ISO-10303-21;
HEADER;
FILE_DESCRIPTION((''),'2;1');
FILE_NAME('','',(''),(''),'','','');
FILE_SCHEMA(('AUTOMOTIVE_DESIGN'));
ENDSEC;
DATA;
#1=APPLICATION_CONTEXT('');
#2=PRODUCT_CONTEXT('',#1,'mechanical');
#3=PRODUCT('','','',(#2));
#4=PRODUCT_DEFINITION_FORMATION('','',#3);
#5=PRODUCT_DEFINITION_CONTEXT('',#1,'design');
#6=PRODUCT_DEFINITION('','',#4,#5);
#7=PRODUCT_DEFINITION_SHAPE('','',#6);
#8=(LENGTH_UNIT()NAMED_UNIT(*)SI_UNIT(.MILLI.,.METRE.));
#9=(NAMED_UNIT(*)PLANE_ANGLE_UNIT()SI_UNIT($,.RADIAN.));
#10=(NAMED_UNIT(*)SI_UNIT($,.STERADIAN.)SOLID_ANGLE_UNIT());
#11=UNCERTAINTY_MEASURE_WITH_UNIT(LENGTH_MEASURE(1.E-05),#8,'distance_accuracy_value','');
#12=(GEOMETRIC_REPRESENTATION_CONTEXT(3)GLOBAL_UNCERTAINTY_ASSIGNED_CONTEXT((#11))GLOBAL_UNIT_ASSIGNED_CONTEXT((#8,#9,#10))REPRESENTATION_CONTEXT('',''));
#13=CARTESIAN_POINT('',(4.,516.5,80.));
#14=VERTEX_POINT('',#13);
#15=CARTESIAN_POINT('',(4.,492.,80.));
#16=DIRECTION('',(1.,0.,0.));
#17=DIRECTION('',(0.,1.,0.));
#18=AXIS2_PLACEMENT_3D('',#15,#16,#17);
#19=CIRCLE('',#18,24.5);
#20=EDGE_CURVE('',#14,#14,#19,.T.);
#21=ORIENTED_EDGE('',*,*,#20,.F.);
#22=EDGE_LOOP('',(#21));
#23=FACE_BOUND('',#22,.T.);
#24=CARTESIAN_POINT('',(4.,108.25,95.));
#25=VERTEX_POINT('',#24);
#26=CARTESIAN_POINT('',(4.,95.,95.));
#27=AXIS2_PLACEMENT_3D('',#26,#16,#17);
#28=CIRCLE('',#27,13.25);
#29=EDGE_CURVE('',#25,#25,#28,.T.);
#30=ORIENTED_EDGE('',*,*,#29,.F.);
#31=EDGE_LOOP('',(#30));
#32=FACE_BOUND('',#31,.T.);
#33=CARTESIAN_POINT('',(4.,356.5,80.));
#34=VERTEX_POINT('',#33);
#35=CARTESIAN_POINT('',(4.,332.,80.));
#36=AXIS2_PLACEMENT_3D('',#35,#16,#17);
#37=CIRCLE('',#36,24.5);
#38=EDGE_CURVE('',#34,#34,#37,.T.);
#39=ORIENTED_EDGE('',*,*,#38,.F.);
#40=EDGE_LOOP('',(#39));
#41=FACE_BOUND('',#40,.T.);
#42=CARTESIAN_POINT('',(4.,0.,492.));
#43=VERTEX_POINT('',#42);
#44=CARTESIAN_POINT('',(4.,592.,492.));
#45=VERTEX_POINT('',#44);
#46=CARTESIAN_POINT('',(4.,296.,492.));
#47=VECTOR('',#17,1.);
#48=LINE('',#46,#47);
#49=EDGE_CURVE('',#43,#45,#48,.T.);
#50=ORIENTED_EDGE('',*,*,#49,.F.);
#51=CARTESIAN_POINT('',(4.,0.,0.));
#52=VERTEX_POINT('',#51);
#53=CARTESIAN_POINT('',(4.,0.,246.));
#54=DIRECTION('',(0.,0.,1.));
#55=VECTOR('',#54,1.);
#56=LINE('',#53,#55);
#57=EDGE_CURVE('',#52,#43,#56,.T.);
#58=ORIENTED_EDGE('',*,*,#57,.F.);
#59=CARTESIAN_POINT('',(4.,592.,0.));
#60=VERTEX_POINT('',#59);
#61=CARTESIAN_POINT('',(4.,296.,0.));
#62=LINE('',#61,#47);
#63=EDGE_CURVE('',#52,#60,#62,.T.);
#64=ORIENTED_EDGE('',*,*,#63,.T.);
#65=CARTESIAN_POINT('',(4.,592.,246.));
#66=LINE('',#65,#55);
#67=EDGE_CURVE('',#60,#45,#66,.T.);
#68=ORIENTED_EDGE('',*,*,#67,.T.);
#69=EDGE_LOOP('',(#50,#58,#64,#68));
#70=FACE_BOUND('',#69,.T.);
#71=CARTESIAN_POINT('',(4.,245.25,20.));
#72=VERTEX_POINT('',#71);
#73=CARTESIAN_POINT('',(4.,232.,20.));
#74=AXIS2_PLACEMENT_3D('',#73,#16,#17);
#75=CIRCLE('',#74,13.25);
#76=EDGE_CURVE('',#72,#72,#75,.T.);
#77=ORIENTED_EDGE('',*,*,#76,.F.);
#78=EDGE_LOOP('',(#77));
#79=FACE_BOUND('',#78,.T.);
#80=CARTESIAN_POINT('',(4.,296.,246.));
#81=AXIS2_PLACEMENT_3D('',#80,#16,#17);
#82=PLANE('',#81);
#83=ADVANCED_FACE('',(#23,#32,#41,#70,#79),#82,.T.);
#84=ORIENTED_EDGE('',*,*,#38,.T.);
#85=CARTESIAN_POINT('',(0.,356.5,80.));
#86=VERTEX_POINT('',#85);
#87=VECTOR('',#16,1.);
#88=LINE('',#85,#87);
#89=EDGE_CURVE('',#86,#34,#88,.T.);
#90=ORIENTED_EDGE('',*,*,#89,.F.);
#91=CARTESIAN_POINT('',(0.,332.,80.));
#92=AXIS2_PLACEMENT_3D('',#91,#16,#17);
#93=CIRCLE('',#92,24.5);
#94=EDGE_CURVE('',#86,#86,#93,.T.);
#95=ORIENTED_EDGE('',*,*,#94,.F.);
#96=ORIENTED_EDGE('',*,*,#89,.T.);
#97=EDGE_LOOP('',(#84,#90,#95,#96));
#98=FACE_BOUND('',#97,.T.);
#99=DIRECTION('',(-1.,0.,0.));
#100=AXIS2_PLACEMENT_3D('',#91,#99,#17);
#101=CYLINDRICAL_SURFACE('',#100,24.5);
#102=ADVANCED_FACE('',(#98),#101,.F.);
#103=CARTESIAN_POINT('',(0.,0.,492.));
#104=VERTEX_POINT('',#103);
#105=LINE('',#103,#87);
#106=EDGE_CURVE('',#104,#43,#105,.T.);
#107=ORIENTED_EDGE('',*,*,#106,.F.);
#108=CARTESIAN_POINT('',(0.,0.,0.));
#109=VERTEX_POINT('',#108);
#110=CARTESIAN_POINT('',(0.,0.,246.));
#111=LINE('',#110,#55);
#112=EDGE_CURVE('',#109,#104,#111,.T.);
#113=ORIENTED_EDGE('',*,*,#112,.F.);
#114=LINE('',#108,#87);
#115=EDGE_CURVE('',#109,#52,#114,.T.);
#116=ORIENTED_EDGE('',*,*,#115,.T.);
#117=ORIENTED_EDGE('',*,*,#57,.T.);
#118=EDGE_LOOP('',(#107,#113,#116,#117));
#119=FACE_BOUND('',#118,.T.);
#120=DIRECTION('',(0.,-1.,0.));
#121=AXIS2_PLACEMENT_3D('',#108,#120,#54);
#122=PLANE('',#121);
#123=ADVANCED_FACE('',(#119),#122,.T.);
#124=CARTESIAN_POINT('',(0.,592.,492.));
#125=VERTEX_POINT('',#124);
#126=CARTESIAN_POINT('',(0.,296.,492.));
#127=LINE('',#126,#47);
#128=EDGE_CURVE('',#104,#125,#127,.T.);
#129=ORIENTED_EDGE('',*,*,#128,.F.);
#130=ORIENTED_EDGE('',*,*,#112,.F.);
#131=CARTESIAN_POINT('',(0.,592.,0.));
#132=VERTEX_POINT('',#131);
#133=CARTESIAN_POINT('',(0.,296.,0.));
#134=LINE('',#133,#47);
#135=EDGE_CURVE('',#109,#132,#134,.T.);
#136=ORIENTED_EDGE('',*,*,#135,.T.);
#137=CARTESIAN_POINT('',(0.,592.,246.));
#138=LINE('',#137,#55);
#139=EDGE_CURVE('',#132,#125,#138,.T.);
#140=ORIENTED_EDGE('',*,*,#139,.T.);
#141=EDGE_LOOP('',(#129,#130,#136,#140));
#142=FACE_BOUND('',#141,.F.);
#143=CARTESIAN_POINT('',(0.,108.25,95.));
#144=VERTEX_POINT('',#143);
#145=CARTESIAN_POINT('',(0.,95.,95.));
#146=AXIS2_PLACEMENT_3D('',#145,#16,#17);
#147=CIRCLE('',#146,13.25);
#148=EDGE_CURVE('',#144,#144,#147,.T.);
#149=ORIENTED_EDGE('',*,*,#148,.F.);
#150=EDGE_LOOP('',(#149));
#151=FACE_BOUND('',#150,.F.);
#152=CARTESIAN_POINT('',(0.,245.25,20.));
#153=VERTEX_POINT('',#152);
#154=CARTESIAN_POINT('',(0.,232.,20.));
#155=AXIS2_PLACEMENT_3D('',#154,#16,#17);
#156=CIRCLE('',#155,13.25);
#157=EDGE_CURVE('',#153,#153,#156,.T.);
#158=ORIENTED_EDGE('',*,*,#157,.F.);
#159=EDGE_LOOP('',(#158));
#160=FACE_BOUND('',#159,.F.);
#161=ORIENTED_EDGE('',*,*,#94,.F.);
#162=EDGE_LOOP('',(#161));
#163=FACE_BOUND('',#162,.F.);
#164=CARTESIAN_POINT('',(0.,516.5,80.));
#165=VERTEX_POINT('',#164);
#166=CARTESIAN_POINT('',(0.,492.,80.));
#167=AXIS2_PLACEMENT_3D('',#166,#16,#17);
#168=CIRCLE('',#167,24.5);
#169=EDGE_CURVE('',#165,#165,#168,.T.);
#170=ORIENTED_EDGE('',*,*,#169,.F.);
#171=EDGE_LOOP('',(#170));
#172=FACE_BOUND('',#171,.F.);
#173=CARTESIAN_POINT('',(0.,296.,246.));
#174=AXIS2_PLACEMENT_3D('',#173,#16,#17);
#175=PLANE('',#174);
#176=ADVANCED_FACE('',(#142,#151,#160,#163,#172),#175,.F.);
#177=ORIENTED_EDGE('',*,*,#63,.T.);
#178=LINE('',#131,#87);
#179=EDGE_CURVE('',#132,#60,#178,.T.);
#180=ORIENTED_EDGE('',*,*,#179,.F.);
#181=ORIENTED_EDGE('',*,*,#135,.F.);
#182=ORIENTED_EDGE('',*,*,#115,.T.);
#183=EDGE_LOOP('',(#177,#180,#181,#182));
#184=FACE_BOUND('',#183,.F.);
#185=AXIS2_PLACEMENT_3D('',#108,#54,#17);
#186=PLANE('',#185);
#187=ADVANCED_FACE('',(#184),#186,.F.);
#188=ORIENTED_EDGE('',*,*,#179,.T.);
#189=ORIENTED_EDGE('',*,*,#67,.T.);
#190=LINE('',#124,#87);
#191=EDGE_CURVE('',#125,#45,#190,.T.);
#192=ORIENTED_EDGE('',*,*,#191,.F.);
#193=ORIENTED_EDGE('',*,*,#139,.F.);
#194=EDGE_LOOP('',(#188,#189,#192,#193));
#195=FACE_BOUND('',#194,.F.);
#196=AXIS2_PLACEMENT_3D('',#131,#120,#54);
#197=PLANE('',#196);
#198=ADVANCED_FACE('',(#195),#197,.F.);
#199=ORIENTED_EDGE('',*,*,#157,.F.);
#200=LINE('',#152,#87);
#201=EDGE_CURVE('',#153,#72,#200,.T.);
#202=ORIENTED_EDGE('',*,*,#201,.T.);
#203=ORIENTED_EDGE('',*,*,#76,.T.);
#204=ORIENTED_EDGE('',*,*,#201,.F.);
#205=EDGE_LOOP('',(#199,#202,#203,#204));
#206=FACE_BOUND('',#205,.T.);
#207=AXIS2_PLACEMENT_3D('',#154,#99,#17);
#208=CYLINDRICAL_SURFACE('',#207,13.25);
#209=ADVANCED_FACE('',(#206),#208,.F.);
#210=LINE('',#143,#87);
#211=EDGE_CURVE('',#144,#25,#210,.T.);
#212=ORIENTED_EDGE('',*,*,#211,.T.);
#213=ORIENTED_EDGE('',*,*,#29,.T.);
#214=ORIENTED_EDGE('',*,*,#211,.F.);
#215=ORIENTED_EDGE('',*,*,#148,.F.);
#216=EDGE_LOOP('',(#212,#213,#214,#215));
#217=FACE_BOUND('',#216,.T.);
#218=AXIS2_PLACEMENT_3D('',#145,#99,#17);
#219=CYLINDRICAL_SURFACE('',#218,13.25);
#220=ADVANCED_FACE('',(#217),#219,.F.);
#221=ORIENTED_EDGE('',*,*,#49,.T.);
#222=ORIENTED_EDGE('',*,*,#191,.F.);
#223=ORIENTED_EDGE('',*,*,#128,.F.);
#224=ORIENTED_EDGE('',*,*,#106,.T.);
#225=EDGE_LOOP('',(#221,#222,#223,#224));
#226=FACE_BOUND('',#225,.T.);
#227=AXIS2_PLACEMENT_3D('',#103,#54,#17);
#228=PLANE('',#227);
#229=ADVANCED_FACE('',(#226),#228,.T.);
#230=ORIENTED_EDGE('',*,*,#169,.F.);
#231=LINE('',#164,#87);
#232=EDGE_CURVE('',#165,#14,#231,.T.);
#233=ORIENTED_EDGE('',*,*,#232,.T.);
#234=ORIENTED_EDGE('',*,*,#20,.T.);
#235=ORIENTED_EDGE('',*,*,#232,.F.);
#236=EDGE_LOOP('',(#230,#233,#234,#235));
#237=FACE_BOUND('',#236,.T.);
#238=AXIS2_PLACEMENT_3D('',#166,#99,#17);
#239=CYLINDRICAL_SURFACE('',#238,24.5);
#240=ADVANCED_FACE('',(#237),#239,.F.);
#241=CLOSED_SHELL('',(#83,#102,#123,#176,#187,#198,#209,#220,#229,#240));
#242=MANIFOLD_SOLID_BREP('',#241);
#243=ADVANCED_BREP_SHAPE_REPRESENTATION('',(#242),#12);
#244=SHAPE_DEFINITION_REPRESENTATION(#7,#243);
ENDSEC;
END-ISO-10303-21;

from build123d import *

# Parameters (mm, degrees)
F0_W     = 592
F0_H     = 492
F0_R     = 13.25
F0_R_2   = 24.5
F1_DEPTH = 4


with BuildPart() as f1:
    # F0 (on Right) → F1 (new body)
    with BuildSketch(Plane.YZ):
        with Locations((296, 246)):
            Rectangle(F0_W, F0_H)
        with Locations((95, 95)):
            Circle(F0_R, mode=Mode.SUBTRACT)
        with Locations((232, 20)):
            Circle(F0_R, mode=Mode.SUBTRACT)
        with Locations((332, 80)):
            Circle(F0_R_2, mode=Mode.SUBTRACT)
        with Locations((492, 80)):
            Circle(F0_R_2, mode=Mode.SUBTRACT)
    extrude(amount=F1_DEPTH)


solid = f1.part
